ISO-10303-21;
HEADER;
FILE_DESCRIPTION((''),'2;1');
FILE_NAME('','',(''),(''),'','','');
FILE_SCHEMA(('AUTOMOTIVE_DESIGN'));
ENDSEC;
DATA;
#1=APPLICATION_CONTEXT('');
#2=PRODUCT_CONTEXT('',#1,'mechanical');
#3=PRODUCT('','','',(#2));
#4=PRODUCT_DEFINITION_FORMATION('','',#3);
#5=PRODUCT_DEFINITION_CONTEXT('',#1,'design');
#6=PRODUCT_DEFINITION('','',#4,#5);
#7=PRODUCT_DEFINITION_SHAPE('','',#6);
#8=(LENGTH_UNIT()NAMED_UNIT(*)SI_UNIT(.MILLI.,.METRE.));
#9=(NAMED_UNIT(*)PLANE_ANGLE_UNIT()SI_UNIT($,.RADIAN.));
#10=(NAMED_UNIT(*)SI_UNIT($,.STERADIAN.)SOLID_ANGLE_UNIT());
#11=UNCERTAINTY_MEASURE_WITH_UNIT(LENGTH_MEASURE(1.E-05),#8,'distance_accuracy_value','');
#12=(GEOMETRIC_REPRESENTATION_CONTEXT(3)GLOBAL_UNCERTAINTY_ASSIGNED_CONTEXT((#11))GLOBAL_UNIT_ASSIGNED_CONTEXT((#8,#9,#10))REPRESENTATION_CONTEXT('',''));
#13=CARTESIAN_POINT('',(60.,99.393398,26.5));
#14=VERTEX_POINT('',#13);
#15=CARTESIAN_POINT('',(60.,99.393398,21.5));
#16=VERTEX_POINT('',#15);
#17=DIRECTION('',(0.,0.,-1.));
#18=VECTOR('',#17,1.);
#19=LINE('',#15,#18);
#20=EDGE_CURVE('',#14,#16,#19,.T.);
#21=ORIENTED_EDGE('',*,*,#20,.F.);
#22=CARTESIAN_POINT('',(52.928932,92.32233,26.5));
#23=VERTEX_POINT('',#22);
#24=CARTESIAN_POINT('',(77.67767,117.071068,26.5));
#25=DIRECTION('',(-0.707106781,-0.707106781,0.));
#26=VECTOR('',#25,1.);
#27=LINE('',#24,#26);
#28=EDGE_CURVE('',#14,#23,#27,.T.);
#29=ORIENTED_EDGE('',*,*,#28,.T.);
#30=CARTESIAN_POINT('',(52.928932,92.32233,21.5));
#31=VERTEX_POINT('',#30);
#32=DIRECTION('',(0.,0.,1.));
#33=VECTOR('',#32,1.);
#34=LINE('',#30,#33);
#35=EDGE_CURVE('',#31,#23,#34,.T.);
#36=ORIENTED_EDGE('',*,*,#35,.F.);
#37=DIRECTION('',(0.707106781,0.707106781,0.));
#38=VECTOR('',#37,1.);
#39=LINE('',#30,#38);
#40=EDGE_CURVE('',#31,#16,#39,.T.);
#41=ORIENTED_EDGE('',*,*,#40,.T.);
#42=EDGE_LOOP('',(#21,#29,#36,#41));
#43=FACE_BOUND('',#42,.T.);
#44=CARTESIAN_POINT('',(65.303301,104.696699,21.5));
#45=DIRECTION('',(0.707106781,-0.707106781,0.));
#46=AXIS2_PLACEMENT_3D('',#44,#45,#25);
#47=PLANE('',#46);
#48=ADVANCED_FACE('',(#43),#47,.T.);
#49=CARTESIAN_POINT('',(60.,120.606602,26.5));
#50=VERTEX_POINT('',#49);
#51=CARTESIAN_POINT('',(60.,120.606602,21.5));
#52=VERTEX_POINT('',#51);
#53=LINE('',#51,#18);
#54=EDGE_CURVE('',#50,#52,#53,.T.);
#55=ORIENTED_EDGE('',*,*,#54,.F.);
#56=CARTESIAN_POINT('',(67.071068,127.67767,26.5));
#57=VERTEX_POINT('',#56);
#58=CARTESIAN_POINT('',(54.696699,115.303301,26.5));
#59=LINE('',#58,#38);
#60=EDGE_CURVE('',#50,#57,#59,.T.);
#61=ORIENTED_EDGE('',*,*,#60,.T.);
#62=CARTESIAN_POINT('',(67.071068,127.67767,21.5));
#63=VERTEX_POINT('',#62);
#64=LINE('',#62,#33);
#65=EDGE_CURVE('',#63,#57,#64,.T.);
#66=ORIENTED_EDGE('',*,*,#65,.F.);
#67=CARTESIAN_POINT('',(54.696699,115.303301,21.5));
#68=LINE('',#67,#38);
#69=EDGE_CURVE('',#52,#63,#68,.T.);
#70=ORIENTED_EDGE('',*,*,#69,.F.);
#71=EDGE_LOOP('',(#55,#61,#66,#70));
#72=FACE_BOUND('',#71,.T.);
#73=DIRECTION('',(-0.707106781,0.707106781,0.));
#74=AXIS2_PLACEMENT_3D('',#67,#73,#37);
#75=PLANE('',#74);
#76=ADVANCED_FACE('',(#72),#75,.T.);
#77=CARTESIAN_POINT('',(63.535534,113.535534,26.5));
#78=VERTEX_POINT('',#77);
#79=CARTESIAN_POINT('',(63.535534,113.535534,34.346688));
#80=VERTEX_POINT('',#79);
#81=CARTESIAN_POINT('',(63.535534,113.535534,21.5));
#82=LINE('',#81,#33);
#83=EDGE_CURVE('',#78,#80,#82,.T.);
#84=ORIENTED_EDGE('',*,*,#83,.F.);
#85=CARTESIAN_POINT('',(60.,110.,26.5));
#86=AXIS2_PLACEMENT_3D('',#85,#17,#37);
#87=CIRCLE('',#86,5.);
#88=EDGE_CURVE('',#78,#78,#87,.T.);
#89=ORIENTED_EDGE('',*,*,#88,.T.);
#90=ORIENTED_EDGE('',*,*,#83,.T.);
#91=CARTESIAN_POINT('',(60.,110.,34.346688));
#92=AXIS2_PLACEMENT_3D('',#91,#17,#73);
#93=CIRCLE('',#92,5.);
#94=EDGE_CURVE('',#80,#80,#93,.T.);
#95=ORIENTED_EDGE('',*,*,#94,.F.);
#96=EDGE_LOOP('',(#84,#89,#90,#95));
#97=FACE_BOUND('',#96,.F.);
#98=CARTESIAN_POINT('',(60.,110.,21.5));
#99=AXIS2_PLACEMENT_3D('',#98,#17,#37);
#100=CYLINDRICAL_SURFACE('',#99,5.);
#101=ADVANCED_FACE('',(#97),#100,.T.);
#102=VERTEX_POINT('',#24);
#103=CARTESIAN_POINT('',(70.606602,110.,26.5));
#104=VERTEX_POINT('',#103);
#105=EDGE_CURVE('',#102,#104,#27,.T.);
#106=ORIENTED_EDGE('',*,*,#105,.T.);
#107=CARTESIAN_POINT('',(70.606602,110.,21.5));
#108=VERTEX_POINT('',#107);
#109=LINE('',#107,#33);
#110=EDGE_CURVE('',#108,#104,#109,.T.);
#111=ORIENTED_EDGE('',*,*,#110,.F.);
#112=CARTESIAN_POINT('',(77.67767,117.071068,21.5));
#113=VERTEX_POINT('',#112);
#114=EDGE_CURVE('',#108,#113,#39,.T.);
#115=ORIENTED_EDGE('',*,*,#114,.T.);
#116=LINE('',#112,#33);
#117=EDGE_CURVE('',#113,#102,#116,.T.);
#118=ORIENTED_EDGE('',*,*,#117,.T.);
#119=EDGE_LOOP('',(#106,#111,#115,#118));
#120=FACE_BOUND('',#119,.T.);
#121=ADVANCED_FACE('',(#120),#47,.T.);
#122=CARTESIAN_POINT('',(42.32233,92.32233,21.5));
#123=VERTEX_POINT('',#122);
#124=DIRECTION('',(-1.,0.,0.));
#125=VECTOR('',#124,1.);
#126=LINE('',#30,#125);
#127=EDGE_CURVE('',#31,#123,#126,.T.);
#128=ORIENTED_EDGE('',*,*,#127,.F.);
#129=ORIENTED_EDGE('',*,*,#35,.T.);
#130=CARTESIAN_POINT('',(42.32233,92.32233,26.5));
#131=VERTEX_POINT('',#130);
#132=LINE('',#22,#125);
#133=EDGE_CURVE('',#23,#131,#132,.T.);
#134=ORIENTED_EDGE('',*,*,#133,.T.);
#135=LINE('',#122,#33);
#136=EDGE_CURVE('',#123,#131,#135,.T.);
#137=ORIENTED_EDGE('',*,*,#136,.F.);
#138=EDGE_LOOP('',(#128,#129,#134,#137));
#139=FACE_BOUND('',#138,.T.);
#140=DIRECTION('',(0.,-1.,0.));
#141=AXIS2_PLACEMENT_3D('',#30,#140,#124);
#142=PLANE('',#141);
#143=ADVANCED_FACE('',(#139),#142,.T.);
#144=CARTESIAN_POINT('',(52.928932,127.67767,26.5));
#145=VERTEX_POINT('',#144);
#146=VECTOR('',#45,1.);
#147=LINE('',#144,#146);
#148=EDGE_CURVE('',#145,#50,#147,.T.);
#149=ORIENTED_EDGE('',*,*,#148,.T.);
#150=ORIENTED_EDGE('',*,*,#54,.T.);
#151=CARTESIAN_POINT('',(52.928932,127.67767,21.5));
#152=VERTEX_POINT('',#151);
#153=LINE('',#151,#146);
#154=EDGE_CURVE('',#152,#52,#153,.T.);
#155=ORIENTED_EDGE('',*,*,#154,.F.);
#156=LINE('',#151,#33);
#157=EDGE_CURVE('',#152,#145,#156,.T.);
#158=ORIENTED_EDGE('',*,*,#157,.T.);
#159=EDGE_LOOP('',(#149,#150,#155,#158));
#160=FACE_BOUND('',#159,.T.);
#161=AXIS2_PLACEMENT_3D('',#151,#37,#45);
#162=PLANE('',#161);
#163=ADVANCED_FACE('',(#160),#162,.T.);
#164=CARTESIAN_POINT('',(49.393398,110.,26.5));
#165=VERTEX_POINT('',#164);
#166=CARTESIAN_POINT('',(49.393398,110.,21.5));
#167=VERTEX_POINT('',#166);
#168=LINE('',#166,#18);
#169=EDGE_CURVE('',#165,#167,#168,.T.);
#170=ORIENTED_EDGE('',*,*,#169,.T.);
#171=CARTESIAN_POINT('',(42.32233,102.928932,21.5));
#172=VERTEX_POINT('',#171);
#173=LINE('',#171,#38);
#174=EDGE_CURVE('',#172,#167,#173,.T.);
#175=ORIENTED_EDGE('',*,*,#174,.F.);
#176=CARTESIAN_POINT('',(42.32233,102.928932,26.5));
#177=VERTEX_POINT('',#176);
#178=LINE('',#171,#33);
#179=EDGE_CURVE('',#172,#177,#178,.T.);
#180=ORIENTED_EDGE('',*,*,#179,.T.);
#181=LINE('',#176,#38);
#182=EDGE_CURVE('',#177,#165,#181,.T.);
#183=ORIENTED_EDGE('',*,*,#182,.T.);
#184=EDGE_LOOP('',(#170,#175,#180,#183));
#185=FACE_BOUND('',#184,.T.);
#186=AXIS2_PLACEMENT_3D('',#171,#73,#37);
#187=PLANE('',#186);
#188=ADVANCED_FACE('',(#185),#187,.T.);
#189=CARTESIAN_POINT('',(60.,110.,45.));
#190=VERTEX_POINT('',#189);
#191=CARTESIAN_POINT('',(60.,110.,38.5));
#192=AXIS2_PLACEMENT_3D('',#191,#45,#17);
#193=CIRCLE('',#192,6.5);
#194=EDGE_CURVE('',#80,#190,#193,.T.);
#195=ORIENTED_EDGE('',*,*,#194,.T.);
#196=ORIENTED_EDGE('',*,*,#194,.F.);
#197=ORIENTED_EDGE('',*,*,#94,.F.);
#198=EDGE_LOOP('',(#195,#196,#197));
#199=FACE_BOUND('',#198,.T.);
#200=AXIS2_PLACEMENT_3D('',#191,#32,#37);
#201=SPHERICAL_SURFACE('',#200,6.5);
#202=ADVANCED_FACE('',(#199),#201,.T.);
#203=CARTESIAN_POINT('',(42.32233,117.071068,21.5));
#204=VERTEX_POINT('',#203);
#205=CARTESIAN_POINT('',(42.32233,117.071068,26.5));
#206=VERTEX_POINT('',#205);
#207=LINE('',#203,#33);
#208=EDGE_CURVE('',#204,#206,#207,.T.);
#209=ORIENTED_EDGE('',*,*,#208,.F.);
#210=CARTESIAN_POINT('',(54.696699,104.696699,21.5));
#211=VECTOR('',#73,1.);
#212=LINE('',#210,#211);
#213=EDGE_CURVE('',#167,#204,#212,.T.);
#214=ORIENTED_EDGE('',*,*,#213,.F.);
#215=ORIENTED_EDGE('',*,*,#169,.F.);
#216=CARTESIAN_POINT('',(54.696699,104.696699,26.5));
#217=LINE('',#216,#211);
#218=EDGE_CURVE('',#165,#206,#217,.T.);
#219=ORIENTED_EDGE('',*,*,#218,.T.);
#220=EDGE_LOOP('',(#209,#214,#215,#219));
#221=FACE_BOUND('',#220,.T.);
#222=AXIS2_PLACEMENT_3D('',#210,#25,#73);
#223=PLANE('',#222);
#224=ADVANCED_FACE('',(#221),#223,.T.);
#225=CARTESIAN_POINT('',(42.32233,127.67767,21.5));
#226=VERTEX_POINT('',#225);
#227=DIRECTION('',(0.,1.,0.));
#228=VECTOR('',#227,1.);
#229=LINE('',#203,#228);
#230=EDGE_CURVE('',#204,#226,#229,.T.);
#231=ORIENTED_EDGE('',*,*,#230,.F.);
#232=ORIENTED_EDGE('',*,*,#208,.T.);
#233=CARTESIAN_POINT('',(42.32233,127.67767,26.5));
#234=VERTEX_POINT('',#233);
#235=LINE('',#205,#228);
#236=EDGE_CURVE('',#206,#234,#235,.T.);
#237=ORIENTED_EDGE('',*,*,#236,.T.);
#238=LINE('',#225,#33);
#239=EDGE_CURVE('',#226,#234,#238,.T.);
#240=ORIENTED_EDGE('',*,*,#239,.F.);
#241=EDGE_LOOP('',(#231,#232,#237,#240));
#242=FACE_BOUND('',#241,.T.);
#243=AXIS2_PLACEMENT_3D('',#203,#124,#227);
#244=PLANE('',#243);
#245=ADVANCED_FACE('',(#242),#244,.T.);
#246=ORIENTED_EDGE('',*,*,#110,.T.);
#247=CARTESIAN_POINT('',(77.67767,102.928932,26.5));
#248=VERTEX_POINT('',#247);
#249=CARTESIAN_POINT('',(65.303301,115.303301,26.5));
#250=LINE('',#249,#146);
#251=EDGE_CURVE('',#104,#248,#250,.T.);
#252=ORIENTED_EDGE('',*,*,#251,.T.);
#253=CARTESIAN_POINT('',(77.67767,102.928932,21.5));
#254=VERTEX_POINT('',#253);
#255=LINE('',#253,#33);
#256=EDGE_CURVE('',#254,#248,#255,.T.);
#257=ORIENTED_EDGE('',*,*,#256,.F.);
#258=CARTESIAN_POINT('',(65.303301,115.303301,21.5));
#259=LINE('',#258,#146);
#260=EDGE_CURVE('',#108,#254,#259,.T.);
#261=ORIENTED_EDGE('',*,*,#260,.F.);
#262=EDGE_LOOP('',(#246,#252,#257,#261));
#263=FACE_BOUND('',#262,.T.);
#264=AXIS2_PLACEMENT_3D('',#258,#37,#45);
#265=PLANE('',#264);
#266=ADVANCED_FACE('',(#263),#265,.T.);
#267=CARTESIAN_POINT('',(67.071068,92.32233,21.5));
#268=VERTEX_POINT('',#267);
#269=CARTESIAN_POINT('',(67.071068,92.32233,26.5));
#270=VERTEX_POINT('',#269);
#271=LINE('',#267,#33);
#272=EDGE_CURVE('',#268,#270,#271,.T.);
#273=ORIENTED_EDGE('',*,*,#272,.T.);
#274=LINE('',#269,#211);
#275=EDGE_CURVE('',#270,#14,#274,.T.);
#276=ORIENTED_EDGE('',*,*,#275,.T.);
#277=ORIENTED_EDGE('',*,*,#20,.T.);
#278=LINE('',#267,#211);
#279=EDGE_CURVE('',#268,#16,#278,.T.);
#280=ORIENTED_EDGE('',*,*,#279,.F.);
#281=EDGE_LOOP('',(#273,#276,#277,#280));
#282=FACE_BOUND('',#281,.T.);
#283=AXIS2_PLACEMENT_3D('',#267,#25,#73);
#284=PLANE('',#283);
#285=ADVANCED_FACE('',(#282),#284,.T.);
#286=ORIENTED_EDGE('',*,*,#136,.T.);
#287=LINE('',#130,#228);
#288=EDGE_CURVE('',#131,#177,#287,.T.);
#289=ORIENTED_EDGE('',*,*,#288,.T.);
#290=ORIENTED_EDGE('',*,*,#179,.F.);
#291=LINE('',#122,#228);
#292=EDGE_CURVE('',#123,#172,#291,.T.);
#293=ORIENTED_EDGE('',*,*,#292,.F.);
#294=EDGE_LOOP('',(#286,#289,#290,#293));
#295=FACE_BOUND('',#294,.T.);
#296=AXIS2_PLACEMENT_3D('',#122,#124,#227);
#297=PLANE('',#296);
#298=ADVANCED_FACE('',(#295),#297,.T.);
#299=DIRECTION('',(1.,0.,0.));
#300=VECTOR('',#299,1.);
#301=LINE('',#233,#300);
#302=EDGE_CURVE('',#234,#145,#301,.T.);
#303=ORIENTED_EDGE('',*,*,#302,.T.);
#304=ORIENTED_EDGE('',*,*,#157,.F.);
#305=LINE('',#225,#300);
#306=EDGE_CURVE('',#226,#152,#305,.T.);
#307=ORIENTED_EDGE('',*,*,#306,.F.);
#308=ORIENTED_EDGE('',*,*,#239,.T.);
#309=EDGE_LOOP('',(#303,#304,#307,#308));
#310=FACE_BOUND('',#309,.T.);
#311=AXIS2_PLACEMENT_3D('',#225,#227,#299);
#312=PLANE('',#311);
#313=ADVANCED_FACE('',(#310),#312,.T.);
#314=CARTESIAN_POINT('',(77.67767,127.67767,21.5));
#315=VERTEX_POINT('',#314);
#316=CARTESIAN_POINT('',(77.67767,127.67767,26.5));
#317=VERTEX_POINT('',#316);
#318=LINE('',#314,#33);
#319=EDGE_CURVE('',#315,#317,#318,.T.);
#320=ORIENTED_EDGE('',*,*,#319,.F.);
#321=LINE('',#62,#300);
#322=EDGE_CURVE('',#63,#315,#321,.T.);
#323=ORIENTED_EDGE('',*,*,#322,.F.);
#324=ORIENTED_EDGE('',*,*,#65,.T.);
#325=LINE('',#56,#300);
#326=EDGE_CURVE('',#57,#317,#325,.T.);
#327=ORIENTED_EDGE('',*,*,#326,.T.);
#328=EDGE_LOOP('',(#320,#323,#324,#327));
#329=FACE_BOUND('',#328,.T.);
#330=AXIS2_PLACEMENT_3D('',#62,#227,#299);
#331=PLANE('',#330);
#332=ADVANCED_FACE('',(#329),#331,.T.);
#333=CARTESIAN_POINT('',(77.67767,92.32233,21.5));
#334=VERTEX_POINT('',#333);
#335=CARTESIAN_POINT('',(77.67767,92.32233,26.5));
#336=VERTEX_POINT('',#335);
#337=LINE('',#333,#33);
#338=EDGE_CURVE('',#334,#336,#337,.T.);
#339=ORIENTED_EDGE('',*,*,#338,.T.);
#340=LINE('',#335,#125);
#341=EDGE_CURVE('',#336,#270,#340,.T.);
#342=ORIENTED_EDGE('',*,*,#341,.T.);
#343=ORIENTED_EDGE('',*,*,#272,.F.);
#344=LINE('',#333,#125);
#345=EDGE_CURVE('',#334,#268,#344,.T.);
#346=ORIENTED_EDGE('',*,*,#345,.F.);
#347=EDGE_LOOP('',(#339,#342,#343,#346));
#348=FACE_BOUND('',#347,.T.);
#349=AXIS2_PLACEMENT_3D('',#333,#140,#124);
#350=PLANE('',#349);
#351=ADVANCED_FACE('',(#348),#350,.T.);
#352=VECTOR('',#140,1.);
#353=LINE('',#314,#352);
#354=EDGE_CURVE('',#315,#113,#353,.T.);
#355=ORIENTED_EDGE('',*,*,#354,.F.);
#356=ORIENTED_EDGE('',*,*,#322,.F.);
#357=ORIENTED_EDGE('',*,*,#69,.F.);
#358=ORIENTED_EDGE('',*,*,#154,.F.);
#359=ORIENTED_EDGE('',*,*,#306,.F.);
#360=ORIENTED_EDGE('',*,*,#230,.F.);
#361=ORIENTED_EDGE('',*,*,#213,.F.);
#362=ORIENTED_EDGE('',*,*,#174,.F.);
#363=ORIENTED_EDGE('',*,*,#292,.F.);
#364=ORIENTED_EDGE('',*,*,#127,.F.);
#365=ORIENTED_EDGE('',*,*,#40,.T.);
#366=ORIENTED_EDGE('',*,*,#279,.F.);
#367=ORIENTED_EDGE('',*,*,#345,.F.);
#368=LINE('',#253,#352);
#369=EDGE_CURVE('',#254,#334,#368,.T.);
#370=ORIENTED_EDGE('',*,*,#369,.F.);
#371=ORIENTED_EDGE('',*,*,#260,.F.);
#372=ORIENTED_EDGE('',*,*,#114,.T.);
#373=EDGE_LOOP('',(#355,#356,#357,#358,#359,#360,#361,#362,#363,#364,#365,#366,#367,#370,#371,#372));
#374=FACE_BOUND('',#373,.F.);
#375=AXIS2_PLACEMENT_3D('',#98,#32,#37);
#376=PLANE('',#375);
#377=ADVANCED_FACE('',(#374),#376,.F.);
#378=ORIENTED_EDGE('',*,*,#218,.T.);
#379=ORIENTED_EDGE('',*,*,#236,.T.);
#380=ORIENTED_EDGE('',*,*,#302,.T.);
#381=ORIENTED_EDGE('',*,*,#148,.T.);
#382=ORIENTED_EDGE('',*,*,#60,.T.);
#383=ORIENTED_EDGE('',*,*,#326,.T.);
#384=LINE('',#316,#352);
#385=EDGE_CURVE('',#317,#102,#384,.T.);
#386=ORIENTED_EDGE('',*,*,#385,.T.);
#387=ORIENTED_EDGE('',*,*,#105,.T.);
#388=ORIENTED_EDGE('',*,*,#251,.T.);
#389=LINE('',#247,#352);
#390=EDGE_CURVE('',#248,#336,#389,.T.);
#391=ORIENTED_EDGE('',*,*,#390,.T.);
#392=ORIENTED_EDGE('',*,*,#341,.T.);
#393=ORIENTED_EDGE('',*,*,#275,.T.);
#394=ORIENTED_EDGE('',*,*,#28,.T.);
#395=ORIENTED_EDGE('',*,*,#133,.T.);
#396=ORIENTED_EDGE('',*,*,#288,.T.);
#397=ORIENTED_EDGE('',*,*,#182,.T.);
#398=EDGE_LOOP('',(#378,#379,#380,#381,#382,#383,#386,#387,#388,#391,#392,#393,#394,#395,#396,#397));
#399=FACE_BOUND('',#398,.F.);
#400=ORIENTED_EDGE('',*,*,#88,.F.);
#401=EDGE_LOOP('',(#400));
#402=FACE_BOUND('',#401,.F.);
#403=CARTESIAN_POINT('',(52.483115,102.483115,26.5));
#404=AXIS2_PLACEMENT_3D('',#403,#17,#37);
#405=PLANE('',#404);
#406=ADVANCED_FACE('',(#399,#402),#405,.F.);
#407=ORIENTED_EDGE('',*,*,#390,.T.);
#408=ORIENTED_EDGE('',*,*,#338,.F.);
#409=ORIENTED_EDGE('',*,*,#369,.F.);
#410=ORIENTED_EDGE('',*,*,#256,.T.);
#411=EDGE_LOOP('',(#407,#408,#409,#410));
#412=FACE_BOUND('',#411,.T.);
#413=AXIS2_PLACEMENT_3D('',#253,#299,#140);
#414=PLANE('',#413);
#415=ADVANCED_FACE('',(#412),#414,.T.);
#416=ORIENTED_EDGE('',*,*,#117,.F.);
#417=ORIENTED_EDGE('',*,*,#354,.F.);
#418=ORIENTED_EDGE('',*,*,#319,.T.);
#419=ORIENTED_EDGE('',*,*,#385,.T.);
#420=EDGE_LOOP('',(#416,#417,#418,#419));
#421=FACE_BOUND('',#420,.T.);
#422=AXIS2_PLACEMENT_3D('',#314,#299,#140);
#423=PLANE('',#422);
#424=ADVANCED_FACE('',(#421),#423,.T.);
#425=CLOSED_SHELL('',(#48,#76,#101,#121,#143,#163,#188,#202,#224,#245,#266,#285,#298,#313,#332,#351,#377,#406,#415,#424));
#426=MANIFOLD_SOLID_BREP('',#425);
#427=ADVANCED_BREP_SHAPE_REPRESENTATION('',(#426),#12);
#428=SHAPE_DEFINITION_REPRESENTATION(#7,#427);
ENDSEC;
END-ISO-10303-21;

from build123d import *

# Parameters (mm, degrees)
CYLINDER011_R            = 5
CYLINDER011_DEPTH        = 15
PAD_DEPTH                = 5
ARRAY006_COUNT           = 4
CLONE018_PLACEMENT_ANGLE = 45


with BuildPart() as cylinder011:
    # Cylinder011 → Cylinder011 (new body)
    with BuildSketch(Plane.XY):
        Circle(CYLINDER011_R)
    extrude(amount=CYLINDER011_DEPTH)


with BuildPart() as sphere:
    # Sphere → Sphere (revolve)
    with BuildSketch(Plane(origin=(0, 0, 17), x_dir=(1, 0, 0), z_dir=(0, -1, 0))):
        with BuildLine():
            ThreePointArc((0, -6.5), (6.5, 0), (0, 6.5))
            Line((0, 6.5), (0, -6.5))
        make_face()
    revolve(axis=Axis((0, 0, 17), (0, 0, 1)))


with BuildPart() as clone_of_piezacruz001:
    # Sketch → Pad (new body)
    with BuildSketch(Plane.XY):
        Polygon((0, 7.5), (17.5, 7.5), (25, 0), (17.5, -7.5), (0, -7.5), align=None)
    extrude(amount=PAD_DEPTH)

    # Array006: Clone of piezaCruz001 ×4 about axis
    array006_axis = Axis((0, 0, 0), (0, 0, 1))


with BuildPart() as clone_of_piezacruz001_1:
    add(clone_of_piezacruz001.part)
    for i in range(1, ARRAY006_COUNT):
        add(clone_of_piezacruz001.part.rotate(array006_axis, i * 360 / ARRAY006_COUNT))

    # Fusion017: union Cylinder011, Sphere
    add(cylinder011.part)
    add(sphere.part)


with BuildPart() as clone_of_piezacruz001_2:
    # Clone018 placement: moved
    add(clone_of_piezacruz001_1.part.moved(Location((60, 110, 21.5))).rotate(Axis((60, 110, 21.5), (0, 0, 1)), CLONE018_PLACEMENT_ANGLE))


solid = clone_of_piezacruz001_2.part
